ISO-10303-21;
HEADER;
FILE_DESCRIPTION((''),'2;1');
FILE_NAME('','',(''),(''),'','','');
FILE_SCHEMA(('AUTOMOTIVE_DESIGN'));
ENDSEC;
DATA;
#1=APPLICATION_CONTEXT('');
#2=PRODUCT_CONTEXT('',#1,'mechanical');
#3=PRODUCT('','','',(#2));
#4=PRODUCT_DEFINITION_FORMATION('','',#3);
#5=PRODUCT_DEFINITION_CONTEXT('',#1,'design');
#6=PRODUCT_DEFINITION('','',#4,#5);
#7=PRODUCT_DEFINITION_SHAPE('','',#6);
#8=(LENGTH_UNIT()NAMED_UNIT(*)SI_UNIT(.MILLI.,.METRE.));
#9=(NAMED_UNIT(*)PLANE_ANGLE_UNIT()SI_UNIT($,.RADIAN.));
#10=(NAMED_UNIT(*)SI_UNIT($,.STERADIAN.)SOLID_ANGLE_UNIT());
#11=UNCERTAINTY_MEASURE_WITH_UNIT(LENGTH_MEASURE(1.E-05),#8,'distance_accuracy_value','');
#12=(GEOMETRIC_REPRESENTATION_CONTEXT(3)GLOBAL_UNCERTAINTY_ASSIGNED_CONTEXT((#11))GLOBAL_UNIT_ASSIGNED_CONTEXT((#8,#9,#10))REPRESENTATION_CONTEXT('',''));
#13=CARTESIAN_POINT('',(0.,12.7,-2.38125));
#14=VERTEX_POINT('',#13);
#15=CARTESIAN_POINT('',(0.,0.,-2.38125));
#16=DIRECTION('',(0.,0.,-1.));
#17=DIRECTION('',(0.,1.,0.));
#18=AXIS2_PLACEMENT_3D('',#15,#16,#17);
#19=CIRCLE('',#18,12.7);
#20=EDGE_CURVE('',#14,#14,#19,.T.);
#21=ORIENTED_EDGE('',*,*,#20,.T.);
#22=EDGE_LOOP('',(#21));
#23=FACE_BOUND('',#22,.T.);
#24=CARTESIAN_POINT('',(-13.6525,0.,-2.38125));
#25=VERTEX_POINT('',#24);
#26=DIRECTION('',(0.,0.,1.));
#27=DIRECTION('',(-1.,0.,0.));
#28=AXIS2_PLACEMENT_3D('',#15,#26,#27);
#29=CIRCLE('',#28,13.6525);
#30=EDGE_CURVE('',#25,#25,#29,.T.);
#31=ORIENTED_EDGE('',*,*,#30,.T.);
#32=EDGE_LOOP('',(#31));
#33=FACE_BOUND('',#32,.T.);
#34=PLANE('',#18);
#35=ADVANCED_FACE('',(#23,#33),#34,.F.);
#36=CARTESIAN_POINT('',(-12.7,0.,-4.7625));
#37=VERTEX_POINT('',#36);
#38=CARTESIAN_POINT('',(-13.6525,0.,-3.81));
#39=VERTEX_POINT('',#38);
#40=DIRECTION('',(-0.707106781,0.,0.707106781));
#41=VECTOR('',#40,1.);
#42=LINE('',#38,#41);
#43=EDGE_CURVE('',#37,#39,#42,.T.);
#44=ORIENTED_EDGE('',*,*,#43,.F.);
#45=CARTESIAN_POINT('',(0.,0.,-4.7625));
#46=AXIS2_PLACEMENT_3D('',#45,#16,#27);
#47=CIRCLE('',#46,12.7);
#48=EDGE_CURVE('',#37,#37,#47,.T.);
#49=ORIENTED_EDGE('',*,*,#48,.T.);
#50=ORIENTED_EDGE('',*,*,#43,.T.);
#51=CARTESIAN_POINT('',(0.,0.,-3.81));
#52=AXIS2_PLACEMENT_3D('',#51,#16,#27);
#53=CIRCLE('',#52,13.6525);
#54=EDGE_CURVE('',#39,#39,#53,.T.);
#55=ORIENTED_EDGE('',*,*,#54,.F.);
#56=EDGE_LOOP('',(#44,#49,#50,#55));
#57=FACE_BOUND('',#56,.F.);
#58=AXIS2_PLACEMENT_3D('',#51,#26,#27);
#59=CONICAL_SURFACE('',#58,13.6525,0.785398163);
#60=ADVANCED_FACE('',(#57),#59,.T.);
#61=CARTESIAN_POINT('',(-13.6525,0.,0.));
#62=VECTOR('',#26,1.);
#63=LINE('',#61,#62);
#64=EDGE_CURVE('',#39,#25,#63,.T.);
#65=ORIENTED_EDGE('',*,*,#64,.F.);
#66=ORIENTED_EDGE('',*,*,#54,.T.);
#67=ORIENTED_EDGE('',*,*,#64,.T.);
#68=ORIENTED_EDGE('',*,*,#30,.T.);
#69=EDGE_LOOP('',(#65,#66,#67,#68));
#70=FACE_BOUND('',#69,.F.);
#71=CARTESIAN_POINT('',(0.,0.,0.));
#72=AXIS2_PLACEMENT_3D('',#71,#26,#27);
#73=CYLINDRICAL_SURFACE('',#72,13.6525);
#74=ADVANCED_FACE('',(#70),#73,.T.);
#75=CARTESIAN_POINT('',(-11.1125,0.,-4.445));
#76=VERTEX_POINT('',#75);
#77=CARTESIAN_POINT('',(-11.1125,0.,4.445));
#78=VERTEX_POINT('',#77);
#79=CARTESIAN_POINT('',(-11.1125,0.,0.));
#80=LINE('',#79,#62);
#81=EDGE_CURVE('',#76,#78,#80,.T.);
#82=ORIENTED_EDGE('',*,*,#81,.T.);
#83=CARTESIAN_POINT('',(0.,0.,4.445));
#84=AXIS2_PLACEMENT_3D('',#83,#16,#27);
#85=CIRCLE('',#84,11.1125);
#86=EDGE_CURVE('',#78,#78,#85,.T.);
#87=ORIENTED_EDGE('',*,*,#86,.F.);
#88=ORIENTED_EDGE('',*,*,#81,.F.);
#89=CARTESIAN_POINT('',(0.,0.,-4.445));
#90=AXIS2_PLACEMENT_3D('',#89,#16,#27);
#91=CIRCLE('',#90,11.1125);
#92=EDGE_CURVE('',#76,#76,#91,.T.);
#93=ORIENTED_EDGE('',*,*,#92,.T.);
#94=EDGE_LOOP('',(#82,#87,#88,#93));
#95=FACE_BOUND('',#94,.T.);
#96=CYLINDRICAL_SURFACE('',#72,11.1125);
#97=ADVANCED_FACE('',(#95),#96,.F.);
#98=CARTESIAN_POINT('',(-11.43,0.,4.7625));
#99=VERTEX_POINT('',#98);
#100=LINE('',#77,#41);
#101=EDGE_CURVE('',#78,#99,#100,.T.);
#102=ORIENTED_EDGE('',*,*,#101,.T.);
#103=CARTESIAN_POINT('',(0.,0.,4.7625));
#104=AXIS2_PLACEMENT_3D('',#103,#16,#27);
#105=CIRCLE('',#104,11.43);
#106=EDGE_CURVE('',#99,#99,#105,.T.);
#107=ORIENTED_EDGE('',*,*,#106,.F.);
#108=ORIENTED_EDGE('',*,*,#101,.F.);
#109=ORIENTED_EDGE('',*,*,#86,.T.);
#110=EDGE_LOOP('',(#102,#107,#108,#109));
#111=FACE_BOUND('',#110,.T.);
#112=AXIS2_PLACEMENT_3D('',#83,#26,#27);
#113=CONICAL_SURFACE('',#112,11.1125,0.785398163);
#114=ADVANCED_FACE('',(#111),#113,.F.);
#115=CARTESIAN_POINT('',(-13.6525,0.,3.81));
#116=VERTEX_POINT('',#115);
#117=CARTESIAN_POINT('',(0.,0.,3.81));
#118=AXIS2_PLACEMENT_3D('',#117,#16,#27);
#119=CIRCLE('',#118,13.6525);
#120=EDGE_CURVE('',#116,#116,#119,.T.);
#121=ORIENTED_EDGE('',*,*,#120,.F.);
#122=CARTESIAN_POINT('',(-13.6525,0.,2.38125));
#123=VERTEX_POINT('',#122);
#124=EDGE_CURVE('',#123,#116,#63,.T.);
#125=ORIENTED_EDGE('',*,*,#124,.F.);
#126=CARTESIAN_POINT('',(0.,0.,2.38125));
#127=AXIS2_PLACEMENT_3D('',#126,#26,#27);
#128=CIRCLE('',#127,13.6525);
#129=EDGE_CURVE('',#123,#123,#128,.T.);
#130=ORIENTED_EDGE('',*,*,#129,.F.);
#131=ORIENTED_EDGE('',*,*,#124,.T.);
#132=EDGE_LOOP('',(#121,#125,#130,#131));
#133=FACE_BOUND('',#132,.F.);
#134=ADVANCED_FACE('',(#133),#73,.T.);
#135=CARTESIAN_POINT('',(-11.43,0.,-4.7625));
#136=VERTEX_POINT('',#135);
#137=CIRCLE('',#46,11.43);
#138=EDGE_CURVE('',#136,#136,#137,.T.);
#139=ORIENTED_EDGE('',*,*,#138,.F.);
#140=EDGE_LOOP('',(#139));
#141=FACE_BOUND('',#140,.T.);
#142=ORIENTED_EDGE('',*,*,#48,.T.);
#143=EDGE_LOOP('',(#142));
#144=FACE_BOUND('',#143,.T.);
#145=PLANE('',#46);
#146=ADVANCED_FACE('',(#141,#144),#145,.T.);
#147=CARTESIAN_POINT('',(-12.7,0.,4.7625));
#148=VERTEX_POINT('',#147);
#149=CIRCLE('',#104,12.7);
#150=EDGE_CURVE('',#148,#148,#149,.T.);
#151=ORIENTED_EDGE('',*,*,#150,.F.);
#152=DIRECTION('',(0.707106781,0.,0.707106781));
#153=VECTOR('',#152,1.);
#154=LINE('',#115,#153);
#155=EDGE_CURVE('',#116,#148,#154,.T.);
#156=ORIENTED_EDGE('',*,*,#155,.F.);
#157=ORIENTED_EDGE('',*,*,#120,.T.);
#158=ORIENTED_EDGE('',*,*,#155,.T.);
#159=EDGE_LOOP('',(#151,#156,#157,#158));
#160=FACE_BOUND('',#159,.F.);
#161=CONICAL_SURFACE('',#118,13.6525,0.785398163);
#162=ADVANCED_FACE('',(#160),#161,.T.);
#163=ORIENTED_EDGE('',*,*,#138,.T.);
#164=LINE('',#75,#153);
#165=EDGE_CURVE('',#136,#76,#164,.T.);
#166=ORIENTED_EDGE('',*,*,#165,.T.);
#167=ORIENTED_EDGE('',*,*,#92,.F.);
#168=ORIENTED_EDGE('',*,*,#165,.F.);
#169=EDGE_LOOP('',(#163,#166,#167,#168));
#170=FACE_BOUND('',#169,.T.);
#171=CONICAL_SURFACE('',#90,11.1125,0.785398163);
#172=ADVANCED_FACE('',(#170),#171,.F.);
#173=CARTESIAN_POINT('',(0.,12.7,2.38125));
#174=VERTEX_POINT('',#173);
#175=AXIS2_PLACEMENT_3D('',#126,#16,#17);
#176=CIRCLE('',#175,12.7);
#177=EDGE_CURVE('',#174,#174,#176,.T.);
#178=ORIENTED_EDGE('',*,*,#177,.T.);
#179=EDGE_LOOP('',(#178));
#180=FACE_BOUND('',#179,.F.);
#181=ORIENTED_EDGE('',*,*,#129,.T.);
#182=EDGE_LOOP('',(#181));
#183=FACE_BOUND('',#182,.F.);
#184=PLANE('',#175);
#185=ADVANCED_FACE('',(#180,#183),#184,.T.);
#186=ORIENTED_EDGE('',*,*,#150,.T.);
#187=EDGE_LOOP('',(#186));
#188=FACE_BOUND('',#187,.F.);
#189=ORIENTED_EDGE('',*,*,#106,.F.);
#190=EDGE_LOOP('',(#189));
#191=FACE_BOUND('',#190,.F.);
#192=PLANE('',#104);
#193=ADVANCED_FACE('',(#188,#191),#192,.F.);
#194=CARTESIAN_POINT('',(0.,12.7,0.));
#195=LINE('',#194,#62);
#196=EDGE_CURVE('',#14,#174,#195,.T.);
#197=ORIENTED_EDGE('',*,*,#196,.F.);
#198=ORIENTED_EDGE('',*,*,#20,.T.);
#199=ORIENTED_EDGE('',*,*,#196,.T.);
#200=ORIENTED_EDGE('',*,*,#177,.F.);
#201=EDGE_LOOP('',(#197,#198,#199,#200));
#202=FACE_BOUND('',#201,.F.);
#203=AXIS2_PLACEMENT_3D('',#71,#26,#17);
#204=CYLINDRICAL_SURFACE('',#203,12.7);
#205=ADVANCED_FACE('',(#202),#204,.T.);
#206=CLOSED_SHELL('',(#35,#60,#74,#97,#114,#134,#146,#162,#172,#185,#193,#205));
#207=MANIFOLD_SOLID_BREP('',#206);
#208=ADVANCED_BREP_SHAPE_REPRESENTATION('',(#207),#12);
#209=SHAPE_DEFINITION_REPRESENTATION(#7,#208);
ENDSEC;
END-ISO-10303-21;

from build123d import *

# Parameters (mm, degrees)
F0_W    = 2.54
F0_H    = 9.525
F2_SIZE = 0.3175
F3_SIZE = 0.9525
F4_W    = 2.263989
F4_H    = 4.7625


with BuildPart() as f1:
    # F0 (on Front) → F1 (revolve)
    with BuildSketch(Plane.XZ):
        with Locations((-12.3825, 0)):
            Rectangle(F0_W, F0_H)
    revolve(axis=Axis((0, 0, 0), (0, 0, -1)))

    # F2
    f2_edges = [f1.edges().sort_by_distance(p)[0] for p in [
        (11.1125, 0, 4.7625),
        (11.1125, 0, -4.7625),
    ]]
    chamfer(f2_edges, length=F2_SIZE)

    # F3
    f3_edges = [f1.edges().sort_by_distance(p)[0] for p in [
        (13.6525, 0, -4.7625),
        (13.6525, 0, 4.7625),
    ]]
    chamfer(f3_edges, length=F3_SIZE)

    # F4 (on Right) → F5 (revolve, cut)
    with BuildSketch(Plane.YZ):
        with Locations((13.831995, 0)):
            Rectangle(F4_W, F4_H)
    revolve(axis=Axis((0, 0, -0.389769), (0, 0, -1)), mode=Mode.SUBTRACT)


solid = f1.part
